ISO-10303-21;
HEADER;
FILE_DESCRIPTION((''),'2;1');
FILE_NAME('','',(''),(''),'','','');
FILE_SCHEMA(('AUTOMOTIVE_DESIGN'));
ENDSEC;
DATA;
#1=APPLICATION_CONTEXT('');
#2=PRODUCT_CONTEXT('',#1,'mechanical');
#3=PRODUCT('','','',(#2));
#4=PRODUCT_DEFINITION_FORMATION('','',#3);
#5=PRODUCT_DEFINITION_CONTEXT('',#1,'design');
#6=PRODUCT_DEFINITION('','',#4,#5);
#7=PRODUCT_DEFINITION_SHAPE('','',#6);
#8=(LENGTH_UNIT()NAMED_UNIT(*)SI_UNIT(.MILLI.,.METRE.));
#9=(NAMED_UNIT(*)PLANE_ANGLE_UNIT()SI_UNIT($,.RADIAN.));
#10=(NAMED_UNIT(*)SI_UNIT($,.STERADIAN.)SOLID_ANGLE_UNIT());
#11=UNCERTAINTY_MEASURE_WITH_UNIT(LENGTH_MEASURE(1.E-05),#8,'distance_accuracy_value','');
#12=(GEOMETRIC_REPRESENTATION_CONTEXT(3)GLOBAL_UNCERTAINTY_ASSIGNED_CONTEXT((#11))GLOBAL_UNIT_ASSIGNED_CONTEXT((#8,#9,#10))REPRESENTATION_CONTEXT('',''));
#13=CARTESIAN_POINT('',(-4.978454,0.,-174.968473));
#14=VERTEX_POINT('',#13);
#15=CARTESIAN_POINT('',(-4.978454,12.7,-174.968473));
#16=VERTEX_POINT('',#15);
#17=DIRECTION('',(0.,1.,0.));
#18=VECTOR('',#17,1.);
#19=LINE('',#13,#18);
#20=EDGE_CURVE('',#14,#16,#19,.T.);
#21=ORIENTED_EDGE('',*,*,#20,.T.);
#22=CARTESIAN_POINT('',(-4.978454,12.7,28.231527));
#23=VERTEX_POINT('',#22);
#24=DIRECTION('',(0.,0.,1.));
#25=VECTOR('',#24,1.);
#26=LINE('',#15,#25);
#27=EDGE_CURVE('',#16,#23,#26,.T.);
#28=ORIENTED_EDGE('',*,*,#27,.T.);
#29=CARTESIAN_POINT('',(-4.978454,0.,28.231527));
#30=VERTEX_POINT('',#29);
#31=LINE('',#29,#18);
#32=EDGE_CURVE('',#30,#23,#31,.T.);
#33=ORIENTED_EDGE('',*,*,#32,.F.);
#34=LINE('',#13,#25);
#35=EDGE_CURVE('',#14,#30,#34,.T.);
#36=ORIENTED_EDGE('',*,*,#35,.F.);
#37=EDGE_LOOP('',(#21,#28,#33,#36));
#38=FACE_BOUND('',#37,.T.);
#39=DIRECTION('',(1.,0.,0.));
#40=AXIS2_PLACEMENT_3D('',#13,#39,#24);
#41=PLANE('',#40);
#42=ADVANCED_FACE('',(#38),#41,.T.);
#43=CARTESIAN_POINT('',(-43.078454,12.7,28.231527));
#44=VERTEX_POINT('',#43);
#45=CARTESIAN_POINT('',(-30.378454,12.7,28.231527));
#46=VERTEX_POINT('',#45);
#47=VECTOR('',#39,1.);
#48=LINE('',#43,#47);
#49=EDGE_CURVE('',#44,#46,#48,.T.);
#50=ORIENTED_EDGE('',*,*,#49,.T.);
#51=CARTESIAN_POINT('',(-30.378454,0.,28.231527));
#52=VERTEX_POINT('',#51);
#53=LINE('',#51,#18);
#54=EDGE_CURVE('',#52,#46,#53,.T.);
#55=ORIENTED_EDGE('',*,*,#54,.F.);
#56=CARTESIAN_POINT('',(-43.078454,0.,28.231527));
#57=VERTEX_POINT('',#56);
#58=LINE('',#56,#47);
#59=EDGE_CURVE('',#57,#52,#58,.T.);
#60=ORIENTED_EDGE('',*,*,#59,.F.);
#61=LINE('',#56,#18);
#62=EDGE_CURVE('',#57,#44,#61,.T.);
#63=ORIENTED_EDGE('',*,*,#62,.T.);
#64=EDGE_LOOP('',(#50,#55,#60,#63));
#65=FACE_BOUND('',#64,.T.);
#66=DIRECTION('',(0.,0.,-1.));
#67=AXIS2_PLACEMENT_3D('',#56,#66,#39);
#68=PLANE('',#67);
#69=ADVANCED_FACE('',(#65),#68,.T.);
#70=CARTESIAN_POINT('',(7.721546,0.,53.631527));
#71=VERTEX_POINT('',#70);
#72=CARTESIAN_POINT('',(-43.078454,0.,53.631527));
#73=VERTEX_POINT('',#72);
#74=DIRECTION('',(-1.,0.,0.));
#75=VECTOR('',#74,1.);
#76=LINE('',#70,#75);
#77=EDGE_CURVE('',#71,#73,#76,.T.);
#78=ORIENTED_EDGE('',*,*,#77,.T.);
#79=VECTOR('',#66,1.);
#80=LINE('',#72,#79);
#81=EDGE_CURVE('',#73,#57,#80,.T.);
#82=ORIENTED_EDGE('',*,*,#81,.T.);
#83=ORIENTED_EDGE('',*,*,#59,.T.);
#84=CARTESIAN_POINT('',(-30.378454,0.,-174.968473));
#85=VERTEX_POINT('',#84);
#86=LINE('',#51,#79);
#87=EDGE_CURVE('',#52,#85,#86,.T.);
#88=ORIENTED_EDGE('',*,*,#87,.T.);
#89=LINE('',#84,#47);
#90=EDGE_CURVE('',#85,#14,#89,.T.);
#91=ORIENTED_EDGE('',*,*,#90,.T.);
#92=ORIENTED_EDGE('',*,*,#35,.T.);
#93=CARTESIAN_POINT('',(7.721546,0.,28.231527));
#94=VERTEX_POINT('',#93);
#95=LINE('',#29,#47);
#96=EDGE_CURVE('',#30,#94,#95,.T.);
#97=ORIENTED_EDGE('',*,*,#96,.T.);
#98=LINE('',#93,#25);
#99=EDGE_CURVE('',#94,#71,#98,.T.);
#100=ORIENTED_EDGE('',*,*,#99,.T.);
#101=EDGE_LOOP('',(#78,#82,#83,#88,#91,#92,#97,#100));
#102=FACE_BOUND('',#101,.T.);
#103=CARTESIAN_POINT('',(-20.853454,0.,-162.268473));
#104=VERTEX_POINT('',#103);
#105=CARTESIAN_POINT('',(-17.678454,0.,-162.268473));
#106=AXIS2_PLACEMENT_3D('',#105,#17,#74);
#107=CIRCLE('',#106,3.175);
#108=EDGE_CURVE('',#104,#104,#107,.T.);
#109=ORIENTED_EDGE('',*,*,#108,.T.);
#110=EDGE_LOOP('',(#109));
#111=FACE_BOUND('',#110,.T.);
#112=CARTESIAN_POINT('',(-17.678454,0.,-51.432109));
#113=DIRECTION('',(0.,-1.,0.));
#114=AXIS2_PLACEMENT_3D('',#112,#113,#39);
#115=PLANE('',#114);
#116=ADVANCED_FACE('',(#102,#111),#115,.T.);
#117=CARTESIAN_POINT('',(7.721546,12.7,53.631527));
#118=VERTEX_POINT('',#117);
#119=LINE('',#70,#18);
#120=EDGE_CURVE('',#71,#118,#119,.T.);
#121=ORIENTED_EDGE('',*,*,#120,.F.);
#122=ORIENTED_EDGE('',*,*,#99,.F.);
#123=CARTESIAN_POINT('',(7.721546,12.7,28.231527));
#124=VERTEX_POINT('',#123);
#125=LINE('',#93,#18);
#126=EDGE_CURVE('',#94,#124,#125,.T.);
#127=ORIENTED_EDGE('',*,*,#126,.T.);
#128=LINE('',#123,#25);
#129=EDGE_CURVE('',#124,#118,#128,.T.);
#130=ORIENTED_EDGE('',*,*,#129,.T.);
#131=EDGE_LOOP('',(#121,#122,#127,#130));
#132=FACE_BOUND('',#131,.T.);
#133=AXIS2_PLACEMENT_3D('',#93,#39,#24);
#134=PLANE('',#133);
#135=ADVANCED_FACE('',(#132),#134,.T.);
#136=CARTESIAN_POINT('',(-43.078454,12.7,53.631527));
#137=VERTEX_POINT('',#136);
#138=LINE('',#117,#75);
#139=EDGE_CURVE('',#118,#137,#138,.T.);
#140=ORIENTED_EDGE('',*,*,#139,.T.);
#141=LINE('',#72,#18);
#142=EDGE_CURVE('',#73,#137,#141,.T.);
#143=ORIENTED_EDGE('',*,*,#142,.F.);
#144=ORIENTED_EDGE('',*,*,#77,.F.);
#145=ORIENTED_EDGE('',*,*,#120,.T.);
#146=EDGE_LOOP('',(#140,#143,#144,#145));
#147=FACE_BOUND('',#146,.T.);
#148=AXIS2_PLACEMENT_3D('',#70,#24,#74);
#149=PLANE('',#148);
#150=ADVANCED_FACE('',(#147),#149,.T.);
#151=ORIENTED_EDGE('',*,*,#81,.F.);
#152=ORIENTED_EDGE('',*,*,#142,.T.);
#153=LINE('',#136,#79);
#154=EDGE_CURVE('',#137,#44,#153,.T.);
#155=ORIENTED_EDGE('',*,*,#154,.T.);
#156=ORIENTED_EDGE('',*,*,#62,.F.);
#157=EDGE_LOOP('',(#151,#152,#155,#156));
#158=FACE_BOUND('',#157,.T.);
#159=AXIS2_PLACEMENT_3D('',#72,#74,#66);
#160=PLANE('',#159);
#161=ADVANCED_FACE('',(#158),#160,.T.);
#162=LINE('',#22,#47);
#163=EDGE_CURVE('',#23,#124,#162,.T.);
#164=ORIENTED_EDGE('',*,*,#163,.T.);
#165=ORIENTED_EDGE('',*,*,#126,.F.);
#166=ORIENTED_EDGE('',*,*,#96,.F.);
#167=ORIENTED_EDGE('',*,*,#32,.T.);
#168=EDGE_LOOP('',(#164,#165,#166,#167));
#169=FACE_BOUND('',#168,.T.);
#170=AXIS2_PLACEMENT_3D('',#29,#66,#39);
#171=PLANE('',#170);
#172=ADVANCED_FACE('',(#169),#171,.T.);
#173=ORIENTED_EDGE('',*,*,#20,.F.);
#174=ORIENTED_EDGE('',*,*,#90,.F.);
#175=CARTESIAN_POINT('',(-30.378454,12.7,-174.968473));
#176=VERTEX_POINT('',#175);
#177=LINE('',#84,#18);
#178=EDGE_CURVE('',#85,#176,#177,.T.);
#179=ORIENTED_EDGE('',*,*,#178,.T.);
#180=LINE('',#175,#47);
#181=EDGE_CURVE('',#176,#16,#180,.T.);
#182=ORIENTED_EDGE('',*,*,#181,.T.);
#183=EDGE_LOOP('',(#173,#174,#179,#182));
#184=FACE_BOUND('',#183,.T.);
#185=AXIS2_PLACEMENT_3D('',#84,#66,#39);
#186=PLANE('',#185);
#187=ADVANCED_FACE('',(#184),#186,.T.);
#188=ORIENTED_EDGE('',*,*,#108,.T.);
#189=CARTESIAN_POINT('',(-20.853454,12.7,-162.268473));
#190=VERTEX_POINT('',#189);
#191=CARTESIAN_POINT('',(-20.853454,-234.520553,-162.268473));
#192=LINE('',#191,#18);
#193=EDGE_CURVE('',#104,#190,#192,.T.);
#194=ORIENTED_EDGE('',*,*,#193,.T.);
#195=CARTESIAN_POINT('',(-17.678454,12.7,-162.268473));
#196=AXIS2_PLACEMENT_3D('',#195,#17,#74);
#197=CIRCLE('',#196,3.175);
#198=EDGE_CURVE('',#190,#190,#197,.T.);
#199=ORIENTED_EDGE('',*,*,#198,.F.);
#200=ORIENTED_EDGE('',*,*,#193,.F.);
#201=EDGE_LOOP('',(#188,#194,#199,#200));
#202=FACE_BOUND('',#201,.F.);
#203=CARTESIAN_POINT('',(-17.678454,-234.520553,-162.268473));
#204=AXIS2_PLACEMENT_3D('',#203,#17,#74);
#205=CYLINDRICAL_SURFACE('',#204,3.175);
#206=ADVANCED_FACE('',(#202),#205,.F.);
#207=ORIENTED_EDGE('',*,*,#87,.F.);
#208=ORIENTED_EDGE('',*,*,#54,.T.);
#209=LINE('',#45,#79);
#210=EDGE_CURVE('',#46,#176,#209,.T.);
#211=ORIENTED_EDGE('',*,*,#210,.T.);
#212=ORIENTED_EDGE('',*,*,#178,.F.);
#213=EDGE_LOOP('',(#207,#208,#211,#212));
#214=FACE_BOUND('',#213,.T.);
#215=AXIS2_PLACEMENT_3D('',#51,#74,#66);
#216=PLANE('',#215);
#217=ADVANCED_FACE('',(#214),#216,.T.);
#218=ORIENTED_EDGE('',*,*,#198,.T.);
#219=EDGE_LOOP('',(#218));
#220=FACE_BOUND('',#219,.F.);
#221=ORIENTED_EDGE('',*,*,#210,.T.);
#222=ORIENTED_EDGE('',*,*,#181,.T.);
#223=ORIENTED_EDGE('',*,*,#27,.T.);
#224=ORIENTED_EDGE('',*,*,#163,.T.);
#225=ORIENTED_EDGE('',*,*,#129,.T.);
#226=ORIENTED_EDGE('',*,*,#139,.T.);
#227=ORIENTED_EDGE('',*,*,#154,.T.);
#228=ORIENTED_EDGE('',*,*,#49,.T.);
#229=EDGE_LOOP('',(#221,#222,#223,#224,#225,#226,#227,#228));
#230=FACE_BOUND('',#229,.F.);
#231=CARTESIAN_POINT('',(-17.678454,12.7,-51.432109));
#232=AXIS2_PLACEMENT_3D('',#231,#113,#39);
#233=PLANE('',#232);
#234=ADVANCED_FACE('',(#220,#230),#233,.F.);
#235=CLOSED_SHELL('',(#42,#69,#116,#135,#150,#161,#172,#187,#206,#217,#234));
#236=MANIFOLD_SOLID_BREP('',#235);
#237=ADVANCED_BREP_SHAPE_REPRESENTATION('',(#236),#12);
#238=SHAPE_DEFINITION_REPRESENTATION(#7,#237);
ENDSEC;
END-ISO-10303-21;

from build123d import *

# Parameters (mm, degrees)
F1_DEPTH = 12.7
F3_D     = 6.35


with BuildPart() as f1:
    # F0 (on Front) → F1 (new body)
    with BuildSketch(Plane.XZ):
        Polygon((-30.378454, 28.231527), (-30.378454, -174.968473), (-4.978454, -174.968473), (-4.978454, 28.231527), (7.721546, 28.231527), (7.721546, 53.631527), (-43.078454, 53.631527), (-43.078454, 28.231527), align=None)
    extrude(amount=-F1_DEPTH)

    # F3 (through all)
    with Locations(Plane.XZ):
        with Locations((-17.678454, -162.268473)):
            Hole(F3_D / 2)


solid = f1.part
